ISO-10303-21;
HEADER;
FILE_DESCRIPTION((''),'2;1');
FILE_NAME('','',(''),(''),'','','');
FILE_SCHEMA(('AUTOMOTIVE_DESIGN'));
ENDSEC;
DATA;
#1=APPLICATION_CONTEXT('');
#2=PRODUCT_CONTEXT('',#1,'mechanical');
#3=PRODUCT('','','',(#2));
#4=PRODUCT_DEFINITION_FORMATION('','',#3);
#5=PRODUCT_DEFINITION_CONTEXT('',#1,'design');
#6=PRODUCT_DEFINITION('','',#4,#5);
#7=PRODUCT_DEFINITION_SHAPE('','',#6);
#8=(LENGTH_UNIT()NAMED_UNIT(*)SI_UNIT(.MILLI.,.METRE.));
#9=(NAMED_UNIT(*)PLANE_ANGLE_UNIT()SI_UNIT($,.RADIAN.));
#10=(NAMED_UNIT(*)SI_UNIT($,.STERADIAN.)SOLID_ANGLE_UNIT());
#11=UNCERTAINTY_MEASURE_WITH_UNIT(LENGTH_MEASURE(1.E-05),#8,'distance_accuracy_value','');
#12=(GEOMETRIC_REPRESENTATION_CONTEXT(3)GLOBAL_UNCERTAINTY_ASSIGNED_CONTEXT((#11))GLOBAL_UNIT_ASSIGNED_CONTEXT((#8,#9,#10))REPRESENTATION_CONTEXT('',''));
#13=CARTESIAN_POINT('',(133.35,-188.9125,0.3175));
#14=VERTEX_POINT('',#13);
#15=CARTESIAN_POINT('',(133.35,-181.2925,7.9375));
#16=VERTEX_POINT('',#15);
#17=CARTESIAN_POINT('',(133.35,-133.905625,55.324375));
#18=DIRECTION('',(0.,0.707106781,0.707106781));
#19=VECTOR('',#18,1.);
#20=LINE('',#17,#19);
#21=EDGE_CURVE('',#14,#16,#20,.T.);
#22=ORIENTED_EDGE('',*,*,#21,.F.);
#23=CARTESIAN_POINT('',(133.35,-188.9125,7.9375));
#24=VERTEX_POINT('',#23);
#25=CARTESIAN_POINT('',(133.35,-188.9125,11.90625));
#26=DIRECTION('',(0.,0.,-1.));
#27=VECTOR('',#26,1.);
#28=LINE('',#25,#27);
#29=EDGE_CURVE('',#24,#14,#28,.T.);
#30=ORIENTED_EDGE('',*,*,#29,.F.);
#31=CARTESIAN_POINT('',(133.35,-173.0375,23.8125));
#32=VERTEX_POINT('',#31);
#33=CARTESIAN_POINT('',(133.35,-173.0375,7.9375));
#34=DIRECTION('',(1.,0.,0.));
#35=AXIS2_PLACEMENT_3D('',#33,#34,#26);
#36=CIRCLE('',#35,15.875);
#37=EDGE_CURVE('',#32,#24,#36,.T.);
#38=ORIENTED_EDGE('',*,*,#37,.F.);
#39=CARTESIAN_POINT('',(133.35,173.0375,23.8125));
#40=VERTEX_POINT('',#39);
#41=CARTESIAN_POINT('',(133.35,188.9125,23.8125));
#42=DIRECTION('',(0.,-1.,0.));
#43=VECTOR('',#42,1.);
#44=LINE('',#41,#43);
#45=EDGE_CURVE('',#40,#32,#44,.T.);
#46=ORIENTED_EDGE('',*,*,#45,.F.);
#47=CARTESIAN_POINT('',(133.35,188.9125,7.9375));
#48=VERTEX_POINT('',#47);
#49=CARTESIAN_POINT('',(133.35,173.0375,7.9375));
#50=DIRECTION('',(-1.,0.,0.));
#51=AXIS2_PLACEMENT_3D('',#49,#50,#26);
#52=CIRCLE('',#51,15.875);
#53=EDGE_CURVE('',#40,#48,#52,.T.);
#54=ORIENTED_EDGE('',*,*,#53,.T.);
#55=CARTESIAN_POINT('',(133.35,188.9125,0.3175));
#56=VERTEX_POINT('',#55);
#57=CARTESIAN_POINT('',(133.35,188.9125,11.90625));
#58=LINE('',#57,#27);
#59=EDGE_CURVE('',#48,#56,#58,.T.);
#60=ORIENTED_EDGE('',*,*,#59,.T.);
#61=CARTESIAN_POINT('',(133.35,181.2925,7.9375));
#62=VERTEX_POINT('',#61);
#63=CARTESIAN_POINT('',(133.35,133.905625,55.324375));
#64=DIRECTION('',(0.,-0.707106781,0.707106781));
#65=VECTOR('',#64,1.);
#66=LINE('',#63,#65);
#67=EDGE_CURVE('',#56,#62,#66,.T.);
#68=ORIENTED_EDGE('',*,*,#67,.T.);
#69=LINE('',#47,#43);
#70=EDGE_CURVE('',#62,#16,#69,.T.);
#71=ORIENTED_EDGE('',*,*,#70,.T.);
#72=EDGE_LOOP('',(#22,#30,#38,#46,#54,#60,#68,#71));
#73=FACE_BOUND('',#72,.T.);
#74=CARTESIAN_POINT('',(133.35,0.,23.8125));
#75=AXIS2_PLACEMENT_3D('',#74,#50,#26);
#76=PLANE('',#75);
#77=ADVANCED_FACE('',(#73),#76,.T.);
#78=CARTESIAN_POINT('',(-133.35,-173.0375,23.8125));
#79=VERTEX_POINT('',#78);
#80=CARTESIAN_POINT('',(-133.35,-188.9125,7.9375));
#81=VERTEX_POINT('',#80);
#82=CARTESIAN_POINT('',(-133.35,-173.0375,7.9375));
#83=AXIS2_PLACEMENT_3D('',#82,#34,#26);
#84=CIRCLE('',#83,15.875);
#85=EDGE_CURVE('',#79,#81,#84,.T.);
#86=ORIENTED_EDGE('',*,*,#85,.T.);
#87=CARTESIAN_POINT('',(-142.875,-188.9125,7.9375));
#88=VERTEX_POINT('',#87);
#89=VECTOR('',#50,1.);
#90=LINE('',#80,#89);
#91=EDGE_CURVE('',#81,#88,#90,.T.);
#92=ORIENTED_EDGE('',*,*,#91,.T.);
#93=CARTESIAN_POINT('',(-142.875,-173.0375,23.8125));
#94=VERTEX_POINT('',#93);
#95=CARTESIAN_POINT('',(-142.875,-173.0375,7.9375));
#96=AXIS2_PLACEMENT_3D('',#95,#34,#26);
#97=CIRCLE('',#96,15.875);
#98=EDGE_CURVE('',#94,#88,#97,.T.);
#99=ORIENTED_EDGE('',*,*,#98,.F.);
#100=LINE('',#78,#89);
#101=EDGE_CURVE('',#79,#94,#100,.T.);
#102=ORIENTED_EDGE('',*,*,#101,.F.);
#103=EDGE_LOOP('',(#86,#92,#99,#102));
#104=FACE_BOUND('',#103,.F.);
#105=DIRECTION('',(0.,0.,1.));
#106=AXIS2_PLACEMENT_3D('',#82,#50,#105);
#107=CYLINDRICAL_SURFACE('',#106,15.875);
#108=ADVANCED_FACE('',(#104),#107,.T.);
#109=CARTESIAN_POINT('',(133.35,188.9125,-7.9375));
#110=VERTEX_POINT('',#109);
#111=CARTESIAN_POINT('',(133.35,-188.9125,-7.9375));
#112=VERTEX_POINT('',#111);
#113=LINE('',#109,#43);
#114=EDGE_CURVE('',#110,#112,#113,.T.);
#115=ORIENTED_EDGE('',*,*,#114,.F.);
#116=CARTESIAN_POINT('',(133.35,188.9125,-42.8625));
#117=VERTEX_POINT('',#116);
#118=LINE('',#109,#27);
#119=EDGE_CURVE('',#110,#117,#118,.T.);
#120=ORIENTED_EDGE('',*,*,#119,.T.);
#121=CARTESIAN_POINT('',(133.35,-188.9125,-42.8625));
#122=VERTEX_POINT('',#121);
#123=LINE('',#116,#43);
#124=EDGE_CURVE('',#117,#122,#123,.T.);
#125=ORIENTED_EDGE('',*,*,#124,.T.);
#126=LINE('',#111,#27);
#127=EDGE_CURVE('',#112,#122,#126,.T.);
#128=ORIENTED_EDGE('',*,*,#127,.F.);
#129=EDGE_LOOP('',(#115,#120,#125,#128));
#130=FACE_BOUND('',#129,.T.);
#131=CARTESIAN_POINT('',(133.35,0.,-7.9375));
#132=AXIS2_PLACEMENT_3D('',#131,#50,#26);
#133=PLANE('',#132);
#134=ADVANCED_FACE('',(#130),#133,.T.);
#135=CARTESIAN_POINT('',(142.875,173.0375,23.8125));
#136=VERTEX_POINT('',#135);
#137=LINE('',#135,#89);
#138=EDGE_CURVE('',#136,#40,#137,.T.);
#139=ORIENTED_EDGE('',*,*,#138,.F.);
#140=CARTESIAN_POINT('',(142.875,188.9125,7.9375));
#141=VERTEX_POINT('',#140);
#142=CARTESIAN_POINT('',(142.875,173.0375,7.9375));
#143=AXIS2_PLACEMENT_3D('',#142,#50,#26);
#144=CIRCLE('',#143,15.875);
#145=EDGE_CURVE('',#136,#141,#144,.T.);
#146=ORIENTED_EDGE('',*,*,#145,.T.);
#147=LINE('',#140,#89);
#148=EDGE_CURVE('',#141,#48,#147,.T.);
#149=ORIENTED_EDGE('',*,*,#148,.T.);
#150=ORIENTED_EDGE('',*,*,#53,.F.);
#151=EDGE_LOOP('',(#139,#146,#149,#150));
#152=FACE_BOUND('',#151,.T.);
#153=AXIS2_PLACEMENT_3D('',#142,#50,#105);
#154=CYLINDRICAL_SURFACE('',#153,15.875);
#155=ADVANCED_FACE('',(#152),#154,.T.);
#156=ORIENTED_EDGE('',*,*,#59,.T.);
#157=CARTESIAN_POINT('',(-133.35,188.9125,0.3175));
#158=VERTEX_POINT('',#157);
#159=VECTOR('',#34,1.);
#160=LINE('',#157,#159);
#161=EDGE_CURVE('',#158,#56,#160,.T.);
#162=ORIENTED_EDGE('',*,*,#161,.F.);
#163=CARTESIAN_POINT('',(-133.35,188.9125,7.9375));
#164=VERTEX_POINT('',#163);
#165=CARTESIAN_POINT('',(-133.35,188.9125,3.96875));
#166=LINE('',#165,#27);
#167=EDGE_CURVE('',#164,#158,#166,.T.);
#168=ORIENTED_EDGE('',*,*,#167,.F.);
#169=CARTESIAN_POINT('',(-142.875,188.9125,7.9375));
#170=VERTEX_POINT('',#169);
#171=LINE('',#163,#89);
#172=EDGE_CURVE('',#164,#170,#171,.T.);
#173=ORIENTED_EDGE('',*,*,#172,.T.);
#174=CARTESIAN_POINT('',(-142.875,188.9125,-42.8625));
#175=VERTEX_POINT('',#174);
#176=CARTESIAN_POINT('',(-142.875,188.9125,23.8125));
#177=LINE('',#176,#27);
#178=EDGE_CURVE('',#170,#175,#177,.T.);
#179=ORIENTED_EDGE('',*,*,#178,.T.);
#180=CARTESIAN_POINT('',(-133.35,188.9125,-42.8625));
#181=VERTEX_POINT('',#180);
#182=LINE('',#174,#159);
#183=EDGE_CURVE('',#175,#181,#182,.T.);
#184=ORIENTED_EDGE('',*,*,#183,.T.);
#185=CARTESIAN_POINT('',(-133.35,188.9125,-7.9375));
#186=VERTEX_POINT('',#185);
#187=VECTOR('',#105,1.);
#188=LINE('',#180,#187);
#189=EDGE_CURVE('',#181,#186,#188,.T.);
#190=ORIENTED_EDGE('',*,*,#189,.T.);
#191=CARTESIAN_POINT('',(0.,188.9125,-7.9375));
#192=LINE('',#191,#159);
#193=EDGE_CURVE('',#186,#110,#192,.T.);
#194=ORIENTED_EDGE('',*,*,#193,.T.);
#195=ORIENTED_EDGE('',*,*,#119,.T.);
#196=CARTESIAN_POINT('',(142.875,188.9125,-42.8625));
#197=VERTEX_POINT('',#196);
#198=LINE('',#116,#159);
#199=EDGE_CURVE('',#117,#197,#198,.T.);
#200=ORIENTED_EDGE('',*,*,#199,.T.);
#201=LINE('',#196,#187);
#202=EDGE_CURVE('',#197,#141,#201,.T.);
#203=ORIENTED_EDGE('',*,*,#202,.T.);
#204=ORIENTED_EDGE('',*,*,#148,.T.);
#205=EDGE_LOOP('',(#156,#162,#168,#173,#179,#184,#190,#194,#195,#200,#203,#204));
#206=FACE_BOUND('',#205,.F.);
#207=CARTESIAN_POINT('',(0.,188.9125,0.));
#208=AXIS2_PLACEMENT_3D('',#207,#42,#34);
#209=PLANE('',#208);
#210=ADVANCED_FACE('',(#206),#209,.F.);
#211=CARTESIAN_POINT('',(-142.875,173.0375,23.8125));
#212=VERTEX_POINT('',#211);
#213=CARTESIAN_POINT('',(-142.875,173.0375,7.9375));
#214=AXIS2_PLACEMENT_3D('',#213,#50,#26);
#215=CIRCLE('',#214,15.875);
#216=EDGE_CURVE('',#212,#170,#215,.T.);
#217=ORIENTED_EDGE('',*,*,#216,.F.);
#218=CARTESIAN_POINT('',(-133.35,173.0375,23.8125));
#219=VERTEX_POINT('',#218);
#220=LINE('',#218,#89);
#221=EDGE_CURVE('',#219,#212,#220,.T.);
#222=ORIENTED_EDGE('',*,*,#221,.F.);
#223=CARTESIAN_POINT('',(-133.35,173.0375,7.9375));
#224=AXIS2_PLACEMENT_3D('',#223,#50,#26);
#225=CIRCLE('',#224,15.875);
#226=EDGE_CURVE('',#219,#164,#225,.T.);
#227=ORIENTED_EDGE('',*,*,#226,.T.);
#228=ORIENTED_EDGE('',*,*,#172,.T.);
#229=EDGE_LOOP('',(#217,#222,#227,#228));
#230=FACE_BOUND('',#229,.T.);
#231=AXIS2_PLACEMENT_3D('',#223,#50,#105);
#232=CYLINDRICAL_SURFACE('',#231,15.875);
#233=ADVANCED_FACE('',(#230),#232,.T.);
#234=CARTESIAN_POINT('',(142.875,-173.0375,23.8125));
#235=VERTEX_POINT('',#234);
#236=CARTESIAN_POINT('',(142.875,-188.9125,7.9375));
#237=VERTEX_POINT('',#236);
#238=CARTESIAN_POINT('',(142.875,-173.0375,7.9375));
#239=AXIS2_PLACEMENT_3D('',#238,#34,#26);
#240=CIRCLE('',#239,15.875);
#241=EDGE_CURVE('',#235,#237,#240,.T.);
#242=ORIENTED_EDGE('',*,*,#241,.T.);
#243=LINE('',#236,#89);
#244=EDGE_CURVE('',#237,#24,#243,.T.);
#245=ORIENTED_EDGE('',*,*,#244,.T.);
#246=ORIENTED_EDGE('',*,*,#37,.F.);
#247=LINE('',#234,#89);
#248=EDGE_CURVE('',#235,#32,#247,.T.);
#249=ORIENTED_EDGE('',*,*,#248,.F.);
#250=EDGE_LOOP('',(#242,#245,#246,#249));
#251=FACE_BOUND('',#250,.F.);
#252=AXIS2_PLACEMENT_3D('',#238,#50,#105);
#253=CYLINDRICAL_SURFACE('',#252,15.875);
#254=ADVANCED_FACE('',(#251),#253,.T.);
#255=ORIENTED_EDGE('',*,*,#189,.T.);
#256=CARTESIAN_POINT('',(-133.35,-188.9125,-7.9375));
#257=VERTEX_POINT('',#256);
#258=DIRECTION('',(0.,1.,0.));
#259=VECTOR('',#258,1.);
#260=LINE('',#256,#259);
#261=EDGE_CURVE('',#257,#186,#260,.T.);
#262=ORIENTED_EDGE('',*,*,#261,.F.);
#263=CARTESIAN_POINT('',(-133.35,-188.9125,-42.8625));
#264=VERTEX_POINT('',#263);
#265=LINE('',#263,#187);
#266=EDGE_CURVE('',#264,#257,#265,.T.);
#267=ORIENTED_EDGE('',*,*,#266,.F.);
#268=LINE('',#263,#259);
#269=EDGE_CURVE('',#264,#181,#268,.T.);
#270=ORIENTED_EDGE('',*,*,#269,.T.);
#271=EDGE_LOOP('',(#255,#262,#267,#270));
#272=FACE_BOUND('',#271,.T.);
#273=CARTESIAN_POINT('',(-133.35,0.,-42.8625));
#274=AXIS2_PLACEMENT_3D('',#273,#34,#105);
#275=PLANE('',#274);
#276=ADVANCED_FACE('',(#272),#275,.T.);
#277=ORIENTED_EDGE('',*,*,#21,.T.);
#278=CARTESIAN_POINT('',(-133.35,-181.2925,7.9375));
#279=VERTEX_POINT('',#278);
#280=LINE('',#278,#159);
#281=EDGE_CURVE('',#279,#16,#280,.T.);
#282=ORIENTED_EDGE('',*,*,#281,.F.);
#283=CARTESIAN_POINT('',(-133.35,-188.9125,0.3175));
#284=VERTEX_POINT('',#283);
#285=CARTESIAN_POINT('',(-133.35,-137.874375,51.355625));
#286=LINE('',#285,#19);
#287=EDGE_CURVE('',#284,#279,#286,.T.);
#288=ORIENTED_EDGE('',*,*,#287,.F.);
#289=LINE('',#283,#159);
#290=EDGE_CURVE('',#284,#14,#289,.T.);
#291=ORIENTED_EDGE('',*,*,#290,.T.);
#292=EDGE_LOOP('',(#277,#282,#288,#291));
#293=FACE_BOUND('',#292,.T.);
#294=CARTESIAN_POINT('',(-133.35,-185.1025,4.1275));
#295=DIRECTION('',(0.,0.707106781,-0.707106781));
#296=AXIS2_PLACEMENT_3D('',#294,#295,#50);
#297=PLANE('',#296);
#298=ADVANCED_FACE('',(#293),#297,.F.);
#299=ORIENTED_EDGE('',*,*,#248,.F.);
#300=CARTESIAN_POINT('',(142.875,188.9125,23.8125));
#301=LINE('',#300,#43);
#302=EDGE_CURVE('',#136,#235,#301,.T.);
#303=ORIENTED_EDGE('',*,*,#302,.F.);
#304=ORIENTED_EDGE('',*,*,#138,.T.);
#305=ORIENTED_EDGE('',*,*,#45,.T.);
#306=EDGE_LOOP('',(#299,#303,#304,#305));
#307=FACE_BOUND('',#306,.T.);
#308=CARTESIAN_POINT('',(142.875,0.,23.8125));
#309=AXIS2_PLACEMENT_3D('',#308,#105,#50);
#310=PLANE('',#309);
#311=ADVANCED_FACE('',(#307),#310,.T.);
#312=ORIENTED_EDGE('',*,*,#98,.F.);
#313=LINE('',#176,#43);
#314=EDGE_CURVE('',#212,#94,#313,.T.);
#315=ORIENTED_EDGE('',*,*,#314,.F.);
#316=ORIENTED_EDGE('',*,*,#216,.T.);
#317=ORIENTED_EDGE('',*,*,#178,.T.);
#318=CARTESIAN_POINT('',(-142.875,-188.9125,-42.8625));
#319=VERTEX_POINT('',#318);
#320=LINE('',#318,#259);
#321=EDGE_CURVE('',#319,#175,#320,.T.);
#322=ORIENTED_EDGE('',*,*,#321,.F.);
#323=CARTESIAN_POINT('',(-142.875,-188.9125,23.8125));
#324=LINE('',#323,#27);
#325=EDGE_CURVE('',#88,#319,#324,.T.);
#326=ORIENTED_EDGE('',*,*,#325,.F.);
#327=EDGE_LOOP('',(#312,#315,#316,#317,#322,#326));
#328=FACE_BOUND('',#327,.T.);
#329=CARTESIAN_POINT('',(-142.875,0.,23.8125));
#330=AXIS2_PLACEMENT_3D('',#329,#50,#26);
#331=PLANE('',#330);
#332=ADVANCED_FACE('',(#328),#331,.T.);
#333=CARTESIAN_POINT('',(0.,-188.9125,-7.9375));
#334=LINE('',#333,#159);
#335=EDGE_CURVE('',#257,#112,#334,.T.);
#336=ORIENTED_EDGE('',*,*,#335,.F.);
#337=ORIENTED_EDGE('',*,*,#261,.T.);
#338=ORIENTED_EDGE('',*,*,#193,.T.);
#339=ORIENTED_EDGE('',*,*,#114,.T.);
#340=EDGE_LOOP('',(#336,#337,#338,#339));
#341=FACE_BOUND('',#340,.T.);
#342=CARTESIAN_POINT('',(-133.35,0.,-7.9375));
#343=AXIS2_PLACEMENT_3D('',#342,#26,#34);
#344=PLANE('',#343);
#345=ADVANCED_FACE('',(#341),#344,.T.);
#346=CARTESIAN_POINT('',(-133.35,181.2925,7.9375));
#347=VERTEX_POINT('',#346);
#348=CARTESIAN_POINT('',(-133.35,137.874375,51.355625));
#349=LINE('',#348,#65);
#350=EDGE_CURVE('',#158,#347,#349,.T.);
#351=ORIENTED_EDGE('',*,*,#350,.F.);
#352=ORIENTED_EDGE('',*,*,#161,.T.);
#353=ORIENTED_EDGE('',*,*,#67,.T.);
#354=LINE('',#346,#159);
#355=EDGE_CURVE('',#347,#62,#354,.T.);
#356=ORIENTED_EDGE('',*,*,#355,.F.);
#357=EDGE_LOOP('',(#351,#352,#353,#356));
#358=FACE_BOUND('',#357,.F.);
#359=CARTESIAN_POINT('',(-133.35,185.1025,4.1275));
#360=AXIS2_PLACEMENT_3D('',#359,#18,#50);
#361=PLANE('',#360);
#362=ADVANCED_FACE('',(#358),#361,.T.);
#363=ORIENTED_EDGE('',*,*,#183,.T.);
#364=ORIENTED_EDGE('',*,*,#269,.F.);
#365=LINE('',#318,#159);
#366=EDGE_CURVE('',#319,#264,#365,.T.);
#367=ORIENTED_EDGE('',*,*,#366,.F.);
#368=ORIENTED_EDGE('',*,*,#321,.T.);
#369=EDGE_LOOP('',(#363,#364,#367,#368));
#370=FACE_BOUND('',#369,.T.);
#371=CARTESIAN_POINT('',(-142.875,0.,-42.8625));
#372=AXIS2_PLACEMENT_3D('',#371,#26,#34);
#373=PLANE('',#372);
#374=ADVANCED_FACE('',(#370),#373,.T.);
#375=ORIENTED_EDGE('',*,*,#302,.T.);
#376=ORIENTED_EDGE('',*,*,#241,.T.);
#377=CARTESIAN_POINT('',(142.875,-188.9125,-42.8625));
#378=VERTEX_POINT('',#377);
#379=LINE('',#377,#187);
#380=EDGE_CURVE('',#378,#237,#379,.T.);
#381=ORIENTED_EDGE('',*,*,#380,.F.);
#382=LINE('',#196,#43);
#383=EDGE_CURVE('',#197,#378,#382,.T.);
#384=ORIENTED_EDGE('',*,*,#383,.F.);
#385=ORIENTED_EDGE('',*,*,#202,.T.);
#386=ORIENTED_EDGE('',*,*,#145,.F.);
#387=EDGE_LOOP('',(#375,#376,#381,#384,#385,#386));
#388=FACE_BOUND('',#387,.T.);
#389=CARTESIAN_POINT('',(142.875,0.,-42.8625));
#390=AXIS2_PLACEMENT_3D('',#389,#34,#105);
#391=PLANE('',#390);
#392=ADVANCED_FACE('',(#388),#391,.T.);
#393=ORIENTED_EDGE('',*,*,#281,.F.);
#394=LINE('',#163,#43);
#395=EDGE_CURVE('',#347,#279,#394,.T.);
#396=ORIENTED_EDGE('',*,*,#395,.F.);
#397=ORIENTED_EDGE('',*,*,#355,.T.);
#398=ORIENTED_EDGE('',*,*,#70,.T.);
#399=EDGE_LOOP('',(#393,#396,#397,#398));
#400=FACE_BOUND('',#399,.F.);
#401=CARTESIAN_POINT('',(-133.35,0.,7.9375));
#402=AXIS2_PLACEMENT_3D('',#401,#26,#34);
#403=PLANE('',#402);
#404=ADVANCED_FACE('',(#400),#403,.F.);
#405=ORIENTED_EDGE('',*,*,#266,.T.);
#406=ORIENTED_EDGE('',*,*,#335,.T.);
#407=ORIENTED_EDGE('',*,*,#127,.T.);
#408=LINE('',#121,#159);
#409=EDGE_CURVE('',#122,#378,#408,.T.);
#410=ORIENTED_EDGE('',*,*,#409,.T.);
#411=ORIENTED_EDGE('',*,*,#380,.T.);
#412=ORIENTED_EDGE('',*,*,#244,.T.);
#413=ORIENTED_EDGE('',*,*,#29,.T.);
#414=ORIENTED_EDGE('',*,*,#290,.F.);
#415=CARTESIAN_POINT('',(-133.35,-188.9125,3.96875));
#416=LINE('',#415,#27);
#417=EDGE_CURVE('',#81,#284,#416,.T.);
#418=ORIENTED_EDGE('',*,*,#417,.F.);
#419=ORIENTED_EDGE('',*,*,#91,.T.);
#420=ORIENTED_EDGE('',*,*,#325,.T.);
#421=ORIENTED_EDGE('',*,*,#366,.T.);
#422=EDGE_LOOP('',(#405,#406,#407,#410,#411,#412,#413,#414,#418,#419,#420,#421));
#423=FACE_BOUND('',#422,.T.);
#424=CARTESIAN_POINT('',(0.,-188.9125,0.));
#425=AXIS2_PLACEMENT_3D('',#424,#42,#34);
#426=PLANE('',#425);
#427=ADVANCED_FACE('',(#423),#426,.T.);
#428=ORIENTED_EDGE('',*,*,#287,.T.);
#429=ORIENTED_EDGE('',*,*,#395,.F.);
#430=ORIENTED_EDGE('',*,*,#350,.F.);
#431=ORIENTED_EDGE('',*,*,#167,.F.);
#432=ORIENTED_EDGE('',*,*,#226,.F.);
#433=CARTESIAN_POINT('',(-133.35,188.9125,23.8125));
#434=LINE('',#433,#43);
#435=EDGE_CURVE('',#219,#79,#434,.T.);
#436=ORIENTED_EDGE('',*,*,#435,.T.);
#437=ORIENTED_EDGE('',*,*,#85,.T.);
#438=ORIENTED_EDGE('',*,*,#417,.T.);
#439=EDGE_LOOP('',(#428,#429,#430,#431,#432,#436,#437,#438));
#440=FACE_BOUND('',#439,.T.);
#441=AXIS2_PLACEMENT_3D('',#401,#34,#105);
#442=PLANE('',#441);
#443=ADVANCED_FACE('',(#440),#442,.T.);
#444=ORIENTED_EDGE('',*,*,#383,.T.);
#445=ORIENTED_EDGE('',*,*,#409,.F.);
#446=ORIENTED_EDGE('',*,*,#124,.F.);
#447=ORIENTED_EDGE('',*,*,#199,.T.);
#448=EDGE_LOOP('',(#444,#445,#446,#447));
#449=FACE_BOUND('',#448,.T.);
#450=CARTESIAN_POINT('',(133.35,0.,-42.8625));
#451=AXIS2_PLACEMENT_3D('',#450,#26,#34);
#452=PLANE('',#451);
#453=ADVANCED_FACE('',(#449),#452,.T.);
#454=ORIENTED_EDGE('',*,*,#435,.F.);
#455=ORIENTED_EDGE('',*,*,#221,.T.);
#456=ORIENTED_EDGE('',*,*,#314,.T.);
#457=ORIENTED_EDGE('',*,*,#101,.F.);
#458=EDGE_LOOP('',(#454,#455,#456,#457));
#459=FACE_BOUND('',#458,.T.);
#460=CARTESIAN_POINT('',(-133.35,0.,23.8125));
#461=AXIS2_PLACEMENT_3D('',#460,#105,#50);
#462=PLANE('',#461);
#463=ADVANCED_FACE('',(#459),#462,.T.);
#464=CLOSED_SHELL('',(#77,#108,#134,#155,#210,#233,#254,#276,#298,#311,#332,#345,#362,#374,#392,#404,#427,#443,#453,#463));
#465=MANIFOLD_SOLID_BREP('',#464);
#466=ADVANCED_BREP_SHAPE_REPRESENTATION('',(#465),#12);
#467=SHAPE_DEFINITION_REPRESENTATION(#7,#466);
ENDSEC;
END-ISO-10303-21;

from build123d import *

# Parameters (mm, degrees)
F0_W     = 266.7
F0_H     = 15.875
F1_DEPTH = 188.9125
F2_R     = 15.875
F3_SIZE  = 7.62


with BuildPart() as f1:
    # F0 (on Front) → F1 (new body, symmetric)
    with BuildSketch(Plane.XZ):
        Rectangle(F0_W, F0_H)
        Polygon((133.35, 23.8125), (133.35, 7.9375), (133.35, -7.9375), (133.35, -42.8625), (142.875, -42.8625), (142.875, 23.8125), align=None)
        Polygon((-133.35, -7.9375), (-133.35, 7.9375), (-133.35, 23.8125), (-142.875, 23.8125), (-142.875, -42.8625), (-133.35, -42.8625), align=None)
    extrude(amount=F1_DEPTH, both=True)

    # F2
    f2_edges = [f1.edges().sort_by_distance(p)[0] for p in [
        (-138.1125, -188.9125, 23.8125),
        (-138.1125, 188.9125, 23.8125),
        (138.1125, 188.9125, 23.8125),
        (138.1125, -188.9125, 23.8125),
    ]]
    fillet(f2_edges, radius=F2_R)

    # F3
    f3_edges = [f1.edges().sort_by_distance(p)[0] for p in [
        (0, -188.9125, 7.9375),
        (0, 188.9125, 7.9375),
    ]]
    chamfer(f3_edges, length=F3_SIZE)


solid = f1.part
